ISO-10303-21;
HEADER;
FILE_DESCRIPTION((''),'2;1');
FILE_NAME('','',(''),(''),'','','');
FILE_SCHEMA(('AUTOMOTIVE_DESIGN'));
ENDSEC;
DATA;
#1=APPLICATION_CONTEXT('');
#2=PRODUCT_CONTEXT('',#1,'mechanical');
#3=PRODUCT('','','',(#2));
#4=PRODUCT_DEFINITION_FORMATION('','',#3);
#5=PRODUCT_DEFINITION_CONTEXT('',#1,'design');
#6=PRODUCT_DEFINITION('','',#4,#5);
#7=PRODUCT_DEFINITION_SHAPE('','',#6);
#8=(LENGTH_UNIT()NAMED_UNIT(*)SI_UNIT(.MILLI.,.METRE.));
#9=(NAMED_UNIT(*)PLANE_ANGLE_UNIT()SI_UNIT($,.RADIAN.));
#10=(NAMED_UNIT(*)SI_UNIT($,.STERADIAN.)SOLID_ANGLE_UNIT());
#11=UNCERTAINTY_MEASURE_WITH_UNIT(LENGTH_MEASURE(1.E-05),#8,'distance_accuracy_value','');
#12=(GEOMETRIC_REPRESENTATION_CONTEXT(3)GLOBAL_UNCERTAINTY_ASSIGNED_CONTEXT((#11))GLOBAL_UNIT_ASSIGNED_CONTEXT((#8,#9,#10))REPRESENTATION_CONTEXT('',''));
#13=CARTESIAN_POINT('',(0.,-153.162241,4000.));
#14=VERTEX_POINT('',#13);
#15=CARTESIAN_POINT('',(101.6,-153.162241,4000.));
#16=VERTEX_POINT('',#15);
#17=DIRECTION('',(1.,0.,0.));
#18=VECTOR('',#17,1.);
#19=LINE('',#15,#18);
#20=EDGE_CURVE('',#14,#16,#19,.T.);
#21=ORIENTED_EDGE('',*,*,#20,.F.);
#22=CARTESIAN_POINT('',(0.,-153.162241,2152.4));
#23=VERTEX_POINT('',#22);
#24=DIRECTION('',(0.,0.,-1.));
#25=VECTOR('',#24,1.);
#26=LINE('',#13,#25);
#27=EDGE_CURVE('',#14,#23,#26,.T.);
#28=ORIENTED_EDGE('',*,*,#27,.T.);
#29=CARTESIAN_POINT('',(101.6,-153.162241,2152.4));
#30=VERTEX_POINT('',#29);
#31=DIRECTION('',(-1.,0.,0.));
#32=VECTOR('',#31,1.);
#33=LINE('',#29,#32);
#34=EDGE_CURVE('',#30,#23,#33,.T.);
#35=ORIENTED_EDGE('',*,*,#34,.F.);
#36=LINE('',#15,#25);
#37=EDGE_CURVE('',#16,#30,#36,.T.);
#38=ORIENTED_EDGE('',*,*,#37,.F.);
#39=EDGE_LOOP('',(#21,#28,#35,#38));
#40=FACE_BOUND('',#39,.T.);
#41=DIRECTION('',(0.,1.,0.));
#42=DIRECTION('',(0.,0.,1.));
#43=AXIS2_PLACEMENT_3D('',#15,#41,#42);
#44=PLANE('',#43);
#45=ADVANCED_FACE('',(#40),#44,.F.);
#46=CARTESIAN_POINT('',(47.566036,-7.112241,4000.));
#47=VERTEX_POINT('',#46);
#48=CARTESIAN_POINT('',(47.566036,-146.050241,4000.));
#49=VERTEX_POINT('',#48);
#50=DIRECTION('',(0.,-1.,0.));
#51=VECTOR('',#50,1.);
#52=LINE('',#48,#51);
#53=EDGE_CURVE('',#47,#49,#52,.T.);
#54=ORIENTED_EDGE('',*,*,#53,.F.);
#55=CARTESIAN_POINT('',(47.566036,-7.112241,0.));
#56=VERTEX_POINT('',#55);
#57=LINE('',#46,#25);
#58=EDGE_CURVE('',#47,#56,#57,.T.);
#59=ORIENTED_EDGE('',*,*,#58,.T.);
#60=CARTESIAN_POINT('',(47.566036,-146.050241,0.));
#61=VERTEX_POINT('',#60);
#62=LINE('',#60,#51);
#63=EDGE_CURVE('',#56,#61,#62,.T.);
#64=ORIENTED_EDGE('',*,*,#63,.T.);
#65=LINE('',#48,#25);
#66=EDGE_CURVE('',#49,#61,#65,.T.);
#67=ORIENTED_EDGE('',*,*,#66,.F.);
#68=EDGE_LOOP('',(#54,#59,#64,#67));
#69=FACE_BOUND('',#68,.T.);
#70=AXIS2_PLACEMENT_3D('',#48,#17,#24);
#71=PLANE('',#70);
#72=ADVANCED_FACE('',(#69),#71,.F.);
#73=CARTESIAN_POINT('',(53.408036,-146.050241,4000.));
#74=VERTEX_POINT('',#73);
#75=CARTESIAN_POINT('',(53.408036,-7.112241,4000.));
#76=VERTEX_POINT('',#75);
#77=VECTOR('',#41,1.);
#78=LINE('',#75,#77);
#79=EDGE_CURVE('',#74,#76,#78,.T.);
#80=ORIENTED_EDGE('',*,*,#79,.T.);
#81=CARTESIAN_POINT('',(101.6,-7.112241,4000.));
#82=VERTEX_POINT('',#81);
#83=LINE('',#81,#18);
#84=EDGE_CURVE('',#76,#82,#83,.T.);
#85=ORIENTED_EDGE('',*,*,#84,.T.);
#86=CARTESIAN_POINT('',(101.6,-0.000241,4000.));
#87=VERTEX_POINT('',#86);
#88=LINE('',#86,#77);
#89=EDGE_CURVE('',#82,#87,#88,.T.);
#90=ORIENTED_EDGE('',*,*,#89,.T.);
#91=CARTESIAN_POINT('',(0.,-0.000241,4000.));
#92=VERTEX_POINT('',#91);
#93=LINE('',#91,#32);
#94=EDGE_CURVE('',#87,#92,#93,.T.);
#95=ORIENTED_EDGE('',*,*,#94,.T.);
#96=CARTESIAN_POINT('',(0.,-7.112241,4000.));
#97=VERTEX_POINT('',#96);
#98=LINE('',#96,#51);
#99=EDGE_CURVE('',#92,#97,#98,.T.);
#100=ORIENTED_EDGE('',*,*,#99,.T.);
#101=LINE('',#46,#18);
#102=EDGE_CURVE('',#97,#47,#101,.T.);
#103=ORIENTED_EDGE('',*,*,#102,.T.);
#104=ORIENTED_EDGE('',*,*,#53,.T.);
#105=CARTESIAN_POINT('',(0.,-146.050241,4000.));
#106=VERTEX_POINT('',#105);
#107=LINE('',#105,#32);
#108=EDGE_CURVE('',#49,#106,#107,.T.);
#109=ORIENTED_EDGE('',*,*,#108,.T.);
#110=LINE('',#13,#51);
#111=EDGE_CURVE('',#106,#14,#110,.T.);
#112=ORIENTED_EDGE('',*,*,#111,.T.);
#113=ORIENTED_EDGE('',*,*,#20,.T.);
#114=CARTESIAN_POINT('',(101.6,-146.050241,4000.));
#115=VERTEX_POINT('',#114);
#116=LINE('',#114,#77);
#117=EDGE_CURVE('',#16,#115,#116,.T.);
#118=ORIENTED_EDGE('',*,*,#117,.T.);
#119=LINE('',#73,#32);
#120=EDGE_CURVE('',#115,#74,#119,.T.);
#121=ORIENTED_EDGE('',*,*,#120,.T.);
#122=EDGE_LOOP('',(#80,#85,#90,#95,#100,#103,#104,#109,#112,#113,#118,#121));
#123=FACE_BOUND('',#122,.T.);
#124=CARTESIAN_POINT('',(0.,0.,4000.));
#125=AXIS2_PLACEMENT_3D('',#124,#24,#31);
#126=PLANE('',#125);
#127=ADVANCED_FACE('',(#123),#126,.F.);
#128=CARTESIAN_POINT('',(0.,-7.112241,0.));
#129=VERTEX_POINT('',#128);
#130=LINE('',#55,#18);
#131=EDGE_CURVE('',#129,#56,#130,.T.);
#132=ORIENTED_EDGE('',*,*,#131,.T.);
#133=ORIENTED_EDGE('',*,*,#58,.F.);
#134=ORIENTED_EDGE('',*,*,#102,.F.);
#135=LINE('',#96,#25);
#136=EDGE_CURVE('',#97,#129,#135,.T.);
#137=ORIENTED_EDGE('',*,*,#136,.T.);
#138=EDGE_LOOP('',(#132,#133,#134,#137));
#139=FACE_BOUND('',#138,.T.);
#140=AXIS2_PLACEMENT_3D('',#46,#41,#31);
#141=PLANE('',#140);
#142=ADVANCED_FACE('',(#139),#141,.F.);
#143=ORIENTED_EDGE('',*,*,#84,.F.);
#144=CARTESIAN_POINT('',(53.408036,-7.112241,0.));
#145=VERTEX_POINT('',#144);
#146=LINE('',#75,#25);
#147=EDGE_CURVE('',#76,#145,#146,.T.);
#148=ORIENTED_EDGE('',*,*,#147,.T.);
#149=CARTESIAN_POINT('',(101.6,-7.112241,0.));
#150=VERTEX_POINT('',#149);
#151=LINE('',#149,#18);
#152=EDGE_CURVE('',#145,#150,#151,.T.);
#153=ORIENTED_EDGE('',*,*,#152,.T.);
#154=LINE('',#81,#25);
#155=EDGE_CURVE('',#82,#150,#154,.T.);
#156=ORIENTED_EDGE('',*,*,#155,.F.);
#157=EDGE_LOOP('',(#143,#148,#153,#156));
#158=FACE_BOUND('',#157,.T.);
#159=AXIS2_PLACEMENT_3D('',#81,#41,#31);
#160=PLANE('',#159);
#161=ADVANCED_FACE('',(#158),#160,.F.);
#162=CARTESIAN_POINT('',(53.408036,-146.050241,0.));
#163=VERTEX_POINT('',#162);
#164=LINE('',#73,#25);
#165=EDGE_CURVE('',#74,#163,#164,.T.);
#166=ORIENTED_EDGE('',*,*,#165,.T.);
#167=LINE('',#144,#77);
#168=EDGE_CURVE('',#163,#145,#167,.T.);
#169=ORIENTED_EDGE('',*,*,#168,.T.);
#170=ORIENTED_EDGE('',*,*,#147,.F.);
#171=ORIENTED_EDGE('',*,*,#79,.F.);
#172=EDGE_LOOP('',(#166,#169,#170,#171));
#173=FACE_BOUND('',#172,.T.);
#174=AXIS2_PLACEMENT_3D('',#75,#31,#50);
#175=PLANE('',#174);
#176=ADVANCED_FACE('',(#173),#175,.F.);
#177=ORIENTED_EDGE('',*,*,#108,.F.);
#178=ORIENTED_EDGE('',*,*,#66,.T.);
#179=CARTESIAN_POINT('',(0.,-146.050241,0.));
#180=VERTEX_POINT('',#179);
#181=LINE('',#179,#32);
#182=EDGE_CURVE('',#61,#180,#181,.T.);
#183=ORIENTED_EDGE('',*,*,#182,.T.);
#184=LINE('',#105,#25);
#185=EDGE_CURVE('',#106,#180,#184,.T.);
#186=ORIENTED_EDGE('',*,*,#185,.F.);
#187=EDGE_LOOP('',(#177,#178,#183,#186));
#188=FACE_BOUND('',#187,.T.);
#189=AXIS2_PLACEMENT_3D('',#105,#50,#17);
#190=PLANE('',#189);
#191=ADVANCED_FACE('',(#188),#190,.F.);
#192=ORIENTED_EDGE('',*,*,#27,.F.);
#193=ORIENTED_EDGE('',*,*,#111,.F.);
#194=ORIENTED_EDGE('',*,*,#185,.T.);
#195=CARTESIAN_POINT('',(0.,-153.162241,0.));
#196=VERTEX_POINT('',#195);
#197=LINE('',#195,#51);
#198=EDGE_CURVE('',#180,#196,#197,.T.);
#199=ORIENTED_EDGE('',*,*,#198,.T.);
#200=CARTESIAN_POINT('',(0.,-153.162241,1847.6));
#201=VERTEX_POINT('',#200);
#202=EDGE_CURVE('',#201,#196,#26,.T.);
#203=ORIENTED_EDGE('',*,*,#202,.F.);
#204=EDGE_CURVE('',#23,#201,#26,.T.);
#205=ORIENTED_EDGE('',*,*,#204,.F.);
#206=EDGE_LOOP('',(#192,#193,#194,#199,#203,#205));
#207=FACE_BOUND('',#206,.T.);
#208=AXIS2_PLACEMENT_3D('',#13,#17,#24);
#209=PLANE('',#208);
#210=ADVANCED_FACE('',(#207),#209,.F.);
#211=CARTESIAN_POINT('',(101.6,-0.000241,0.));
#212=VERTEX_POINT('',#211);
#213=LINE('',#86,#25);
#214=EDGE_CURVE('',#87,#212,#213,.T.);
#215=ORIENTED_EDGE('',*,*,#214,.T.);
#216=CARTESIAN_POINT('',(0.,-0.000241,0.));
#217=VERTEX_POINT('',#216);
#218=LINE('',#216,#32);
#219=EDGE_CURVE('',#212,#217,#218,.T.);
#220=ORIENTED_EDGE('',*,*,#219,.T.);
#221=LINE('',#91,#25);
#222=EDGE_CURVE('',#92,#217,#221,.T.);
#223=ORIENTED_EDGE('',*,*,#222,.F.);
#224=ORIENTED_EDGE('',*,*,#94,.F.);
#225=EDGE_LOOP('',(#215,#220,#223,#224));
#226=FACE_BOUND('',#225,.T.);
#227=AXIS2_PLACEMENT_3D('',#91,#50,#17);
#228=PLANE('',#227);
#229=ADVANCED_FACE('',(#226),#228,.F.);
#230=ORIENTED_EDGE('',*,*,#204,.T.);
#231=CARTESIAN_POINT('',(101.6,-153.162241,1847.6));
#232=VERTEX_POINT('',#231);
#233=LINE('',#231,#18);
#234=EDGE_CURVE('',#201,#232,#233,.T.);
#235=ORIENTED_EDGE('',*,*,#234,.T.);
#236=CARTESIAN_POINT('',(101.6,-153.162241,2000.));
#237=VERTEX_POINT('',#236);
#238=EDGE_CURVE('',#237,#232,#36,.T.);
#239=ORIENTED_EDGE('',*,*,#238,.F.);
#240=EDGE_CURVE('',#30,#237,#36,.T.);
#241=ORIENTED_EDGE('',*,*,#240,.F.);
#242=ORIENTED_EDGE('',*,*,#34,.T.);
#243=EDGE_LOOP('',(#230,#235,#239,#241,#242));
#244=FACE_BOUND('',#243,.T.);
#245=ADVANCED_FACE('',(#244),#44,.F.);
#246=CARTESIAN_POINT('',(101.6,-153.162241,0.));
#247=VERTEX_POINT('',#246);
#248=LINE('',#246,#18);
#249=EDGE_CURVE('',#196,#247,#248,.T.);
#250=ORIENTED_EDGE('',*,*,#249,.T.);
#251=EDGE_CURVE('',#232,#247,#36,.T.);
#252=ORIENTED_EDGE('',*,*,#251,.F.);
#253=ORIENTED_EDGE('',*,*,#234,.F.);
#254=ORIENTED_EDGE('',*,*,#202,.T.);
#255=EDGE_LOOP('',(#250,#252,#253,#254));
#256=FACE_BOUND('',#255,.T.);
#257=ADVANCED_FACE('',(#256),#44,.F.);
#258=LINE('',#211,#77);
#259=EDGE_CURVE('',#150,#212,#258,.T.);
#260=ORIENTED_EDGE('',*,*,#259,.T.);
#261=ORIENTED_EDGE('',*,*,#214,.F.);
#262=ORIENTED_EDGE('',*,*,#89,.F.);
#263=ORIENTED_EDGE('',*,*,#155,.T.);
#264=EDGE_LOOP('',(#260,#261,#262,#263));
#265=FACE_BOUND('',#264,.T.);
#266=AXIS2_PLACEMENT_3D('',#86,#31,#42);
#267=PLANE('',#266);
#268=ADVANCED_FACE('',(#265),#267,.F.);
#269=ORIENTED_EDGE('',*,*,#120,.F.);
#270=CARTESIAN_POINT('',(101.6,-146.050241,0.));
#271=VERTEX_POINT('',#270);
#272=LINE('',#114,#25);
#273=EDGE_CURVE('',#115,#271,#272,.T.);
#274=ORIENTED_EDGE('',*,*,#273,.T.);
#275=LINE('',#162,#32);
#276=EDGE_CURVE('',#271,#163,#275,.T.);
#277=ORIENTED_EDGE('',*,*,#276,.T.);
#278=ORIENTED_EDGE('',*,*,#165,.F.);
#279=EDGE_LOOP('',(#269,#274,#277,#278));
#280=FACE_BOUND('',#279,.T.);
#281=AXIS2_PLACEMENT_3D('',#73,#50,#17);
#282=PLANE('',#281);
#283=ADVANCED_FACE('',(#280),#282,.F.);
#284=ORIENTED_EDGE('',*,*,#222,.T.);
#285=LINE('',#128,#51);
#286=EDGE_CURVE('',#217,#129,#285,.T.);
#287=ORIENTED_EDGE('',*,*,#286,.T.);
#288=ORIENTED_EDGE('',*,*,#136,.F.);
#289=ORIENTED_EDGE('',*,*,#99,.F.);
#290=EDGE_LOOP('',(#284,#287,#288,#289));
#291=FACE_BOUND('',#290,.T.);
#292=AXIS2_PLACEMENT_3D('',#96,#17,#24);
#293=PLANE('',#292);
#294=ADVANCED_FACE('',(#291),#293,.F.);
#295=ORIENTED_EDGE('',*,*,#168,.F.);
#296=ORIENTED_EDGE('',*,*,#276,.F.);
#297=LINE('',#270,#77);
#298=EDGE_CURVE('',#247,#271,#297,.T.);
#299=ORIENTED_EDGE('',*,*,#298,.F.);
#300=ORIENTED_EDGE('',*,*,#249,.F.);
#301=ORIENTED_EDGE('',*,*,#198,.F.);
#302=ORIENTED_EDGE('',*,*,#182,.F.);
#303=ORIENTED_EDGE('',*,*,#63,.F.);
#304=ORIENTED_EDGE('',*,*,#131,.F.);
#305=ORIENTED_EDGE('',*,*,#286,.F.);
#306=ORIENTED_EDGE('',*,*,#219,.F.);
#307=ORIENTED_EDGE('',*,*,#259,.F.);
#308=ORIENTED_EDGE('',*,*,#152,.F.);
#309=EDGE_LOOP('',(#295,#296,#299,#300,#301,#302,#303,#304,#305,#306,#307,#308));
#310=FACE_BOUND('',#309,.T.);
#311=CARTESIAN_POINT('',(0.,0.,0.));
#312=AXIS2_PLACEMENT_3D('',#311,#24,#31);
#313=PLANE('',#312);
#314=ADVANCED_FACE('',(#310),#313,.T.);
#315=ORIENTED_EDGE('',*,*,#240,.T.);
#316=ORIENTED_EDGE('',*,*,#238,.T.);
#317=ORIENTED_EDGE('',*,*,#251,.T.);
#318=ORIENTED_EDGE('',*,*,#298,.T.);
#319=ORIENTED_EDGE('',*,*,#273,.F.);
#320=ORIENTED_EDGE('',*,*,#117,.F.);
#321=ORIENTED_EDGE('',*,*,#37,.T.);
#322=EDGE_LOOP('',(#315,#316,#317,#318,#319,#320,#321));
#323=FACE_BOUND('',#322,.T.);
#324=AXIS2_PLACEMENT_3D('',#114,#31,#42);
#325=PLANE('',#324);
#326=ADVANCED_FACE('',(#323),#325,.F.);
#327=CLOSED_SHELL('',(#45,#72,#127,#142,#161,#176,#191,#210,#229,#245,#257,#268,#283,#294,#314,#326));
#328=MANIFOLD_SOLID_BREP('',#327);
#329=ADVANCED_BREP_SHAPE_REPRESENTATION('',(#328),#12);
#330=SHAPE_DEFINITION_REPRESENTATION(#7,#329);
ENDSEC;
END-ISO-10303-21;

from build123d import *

# Parameters (mm, degrees)
BOSS_EXTRUDE1_DEPTH = 4000


with BuildPart() as part:
    # Sketch1 → Boss-Extrude1 (new body)
    with BuildSketch(Plane.XY):
        Polygon((0, -0.000240533), (101.6, -0.000240533), (101.6, -7.112240533), (53.408035714, -7.112240533), (53.408035714, -146.050240533), (101.6, -146.050240533), (101.6, -153.162240533), (0, -153.162240533), (0, -146.050240533), (47.566035714, -146.050240533), (47.566035714, -7.112240533), (0, -7.112240533), align=None)
    extrude(amount=BOSS_EXTRUDE1_DEPTH)


solid = part.part
